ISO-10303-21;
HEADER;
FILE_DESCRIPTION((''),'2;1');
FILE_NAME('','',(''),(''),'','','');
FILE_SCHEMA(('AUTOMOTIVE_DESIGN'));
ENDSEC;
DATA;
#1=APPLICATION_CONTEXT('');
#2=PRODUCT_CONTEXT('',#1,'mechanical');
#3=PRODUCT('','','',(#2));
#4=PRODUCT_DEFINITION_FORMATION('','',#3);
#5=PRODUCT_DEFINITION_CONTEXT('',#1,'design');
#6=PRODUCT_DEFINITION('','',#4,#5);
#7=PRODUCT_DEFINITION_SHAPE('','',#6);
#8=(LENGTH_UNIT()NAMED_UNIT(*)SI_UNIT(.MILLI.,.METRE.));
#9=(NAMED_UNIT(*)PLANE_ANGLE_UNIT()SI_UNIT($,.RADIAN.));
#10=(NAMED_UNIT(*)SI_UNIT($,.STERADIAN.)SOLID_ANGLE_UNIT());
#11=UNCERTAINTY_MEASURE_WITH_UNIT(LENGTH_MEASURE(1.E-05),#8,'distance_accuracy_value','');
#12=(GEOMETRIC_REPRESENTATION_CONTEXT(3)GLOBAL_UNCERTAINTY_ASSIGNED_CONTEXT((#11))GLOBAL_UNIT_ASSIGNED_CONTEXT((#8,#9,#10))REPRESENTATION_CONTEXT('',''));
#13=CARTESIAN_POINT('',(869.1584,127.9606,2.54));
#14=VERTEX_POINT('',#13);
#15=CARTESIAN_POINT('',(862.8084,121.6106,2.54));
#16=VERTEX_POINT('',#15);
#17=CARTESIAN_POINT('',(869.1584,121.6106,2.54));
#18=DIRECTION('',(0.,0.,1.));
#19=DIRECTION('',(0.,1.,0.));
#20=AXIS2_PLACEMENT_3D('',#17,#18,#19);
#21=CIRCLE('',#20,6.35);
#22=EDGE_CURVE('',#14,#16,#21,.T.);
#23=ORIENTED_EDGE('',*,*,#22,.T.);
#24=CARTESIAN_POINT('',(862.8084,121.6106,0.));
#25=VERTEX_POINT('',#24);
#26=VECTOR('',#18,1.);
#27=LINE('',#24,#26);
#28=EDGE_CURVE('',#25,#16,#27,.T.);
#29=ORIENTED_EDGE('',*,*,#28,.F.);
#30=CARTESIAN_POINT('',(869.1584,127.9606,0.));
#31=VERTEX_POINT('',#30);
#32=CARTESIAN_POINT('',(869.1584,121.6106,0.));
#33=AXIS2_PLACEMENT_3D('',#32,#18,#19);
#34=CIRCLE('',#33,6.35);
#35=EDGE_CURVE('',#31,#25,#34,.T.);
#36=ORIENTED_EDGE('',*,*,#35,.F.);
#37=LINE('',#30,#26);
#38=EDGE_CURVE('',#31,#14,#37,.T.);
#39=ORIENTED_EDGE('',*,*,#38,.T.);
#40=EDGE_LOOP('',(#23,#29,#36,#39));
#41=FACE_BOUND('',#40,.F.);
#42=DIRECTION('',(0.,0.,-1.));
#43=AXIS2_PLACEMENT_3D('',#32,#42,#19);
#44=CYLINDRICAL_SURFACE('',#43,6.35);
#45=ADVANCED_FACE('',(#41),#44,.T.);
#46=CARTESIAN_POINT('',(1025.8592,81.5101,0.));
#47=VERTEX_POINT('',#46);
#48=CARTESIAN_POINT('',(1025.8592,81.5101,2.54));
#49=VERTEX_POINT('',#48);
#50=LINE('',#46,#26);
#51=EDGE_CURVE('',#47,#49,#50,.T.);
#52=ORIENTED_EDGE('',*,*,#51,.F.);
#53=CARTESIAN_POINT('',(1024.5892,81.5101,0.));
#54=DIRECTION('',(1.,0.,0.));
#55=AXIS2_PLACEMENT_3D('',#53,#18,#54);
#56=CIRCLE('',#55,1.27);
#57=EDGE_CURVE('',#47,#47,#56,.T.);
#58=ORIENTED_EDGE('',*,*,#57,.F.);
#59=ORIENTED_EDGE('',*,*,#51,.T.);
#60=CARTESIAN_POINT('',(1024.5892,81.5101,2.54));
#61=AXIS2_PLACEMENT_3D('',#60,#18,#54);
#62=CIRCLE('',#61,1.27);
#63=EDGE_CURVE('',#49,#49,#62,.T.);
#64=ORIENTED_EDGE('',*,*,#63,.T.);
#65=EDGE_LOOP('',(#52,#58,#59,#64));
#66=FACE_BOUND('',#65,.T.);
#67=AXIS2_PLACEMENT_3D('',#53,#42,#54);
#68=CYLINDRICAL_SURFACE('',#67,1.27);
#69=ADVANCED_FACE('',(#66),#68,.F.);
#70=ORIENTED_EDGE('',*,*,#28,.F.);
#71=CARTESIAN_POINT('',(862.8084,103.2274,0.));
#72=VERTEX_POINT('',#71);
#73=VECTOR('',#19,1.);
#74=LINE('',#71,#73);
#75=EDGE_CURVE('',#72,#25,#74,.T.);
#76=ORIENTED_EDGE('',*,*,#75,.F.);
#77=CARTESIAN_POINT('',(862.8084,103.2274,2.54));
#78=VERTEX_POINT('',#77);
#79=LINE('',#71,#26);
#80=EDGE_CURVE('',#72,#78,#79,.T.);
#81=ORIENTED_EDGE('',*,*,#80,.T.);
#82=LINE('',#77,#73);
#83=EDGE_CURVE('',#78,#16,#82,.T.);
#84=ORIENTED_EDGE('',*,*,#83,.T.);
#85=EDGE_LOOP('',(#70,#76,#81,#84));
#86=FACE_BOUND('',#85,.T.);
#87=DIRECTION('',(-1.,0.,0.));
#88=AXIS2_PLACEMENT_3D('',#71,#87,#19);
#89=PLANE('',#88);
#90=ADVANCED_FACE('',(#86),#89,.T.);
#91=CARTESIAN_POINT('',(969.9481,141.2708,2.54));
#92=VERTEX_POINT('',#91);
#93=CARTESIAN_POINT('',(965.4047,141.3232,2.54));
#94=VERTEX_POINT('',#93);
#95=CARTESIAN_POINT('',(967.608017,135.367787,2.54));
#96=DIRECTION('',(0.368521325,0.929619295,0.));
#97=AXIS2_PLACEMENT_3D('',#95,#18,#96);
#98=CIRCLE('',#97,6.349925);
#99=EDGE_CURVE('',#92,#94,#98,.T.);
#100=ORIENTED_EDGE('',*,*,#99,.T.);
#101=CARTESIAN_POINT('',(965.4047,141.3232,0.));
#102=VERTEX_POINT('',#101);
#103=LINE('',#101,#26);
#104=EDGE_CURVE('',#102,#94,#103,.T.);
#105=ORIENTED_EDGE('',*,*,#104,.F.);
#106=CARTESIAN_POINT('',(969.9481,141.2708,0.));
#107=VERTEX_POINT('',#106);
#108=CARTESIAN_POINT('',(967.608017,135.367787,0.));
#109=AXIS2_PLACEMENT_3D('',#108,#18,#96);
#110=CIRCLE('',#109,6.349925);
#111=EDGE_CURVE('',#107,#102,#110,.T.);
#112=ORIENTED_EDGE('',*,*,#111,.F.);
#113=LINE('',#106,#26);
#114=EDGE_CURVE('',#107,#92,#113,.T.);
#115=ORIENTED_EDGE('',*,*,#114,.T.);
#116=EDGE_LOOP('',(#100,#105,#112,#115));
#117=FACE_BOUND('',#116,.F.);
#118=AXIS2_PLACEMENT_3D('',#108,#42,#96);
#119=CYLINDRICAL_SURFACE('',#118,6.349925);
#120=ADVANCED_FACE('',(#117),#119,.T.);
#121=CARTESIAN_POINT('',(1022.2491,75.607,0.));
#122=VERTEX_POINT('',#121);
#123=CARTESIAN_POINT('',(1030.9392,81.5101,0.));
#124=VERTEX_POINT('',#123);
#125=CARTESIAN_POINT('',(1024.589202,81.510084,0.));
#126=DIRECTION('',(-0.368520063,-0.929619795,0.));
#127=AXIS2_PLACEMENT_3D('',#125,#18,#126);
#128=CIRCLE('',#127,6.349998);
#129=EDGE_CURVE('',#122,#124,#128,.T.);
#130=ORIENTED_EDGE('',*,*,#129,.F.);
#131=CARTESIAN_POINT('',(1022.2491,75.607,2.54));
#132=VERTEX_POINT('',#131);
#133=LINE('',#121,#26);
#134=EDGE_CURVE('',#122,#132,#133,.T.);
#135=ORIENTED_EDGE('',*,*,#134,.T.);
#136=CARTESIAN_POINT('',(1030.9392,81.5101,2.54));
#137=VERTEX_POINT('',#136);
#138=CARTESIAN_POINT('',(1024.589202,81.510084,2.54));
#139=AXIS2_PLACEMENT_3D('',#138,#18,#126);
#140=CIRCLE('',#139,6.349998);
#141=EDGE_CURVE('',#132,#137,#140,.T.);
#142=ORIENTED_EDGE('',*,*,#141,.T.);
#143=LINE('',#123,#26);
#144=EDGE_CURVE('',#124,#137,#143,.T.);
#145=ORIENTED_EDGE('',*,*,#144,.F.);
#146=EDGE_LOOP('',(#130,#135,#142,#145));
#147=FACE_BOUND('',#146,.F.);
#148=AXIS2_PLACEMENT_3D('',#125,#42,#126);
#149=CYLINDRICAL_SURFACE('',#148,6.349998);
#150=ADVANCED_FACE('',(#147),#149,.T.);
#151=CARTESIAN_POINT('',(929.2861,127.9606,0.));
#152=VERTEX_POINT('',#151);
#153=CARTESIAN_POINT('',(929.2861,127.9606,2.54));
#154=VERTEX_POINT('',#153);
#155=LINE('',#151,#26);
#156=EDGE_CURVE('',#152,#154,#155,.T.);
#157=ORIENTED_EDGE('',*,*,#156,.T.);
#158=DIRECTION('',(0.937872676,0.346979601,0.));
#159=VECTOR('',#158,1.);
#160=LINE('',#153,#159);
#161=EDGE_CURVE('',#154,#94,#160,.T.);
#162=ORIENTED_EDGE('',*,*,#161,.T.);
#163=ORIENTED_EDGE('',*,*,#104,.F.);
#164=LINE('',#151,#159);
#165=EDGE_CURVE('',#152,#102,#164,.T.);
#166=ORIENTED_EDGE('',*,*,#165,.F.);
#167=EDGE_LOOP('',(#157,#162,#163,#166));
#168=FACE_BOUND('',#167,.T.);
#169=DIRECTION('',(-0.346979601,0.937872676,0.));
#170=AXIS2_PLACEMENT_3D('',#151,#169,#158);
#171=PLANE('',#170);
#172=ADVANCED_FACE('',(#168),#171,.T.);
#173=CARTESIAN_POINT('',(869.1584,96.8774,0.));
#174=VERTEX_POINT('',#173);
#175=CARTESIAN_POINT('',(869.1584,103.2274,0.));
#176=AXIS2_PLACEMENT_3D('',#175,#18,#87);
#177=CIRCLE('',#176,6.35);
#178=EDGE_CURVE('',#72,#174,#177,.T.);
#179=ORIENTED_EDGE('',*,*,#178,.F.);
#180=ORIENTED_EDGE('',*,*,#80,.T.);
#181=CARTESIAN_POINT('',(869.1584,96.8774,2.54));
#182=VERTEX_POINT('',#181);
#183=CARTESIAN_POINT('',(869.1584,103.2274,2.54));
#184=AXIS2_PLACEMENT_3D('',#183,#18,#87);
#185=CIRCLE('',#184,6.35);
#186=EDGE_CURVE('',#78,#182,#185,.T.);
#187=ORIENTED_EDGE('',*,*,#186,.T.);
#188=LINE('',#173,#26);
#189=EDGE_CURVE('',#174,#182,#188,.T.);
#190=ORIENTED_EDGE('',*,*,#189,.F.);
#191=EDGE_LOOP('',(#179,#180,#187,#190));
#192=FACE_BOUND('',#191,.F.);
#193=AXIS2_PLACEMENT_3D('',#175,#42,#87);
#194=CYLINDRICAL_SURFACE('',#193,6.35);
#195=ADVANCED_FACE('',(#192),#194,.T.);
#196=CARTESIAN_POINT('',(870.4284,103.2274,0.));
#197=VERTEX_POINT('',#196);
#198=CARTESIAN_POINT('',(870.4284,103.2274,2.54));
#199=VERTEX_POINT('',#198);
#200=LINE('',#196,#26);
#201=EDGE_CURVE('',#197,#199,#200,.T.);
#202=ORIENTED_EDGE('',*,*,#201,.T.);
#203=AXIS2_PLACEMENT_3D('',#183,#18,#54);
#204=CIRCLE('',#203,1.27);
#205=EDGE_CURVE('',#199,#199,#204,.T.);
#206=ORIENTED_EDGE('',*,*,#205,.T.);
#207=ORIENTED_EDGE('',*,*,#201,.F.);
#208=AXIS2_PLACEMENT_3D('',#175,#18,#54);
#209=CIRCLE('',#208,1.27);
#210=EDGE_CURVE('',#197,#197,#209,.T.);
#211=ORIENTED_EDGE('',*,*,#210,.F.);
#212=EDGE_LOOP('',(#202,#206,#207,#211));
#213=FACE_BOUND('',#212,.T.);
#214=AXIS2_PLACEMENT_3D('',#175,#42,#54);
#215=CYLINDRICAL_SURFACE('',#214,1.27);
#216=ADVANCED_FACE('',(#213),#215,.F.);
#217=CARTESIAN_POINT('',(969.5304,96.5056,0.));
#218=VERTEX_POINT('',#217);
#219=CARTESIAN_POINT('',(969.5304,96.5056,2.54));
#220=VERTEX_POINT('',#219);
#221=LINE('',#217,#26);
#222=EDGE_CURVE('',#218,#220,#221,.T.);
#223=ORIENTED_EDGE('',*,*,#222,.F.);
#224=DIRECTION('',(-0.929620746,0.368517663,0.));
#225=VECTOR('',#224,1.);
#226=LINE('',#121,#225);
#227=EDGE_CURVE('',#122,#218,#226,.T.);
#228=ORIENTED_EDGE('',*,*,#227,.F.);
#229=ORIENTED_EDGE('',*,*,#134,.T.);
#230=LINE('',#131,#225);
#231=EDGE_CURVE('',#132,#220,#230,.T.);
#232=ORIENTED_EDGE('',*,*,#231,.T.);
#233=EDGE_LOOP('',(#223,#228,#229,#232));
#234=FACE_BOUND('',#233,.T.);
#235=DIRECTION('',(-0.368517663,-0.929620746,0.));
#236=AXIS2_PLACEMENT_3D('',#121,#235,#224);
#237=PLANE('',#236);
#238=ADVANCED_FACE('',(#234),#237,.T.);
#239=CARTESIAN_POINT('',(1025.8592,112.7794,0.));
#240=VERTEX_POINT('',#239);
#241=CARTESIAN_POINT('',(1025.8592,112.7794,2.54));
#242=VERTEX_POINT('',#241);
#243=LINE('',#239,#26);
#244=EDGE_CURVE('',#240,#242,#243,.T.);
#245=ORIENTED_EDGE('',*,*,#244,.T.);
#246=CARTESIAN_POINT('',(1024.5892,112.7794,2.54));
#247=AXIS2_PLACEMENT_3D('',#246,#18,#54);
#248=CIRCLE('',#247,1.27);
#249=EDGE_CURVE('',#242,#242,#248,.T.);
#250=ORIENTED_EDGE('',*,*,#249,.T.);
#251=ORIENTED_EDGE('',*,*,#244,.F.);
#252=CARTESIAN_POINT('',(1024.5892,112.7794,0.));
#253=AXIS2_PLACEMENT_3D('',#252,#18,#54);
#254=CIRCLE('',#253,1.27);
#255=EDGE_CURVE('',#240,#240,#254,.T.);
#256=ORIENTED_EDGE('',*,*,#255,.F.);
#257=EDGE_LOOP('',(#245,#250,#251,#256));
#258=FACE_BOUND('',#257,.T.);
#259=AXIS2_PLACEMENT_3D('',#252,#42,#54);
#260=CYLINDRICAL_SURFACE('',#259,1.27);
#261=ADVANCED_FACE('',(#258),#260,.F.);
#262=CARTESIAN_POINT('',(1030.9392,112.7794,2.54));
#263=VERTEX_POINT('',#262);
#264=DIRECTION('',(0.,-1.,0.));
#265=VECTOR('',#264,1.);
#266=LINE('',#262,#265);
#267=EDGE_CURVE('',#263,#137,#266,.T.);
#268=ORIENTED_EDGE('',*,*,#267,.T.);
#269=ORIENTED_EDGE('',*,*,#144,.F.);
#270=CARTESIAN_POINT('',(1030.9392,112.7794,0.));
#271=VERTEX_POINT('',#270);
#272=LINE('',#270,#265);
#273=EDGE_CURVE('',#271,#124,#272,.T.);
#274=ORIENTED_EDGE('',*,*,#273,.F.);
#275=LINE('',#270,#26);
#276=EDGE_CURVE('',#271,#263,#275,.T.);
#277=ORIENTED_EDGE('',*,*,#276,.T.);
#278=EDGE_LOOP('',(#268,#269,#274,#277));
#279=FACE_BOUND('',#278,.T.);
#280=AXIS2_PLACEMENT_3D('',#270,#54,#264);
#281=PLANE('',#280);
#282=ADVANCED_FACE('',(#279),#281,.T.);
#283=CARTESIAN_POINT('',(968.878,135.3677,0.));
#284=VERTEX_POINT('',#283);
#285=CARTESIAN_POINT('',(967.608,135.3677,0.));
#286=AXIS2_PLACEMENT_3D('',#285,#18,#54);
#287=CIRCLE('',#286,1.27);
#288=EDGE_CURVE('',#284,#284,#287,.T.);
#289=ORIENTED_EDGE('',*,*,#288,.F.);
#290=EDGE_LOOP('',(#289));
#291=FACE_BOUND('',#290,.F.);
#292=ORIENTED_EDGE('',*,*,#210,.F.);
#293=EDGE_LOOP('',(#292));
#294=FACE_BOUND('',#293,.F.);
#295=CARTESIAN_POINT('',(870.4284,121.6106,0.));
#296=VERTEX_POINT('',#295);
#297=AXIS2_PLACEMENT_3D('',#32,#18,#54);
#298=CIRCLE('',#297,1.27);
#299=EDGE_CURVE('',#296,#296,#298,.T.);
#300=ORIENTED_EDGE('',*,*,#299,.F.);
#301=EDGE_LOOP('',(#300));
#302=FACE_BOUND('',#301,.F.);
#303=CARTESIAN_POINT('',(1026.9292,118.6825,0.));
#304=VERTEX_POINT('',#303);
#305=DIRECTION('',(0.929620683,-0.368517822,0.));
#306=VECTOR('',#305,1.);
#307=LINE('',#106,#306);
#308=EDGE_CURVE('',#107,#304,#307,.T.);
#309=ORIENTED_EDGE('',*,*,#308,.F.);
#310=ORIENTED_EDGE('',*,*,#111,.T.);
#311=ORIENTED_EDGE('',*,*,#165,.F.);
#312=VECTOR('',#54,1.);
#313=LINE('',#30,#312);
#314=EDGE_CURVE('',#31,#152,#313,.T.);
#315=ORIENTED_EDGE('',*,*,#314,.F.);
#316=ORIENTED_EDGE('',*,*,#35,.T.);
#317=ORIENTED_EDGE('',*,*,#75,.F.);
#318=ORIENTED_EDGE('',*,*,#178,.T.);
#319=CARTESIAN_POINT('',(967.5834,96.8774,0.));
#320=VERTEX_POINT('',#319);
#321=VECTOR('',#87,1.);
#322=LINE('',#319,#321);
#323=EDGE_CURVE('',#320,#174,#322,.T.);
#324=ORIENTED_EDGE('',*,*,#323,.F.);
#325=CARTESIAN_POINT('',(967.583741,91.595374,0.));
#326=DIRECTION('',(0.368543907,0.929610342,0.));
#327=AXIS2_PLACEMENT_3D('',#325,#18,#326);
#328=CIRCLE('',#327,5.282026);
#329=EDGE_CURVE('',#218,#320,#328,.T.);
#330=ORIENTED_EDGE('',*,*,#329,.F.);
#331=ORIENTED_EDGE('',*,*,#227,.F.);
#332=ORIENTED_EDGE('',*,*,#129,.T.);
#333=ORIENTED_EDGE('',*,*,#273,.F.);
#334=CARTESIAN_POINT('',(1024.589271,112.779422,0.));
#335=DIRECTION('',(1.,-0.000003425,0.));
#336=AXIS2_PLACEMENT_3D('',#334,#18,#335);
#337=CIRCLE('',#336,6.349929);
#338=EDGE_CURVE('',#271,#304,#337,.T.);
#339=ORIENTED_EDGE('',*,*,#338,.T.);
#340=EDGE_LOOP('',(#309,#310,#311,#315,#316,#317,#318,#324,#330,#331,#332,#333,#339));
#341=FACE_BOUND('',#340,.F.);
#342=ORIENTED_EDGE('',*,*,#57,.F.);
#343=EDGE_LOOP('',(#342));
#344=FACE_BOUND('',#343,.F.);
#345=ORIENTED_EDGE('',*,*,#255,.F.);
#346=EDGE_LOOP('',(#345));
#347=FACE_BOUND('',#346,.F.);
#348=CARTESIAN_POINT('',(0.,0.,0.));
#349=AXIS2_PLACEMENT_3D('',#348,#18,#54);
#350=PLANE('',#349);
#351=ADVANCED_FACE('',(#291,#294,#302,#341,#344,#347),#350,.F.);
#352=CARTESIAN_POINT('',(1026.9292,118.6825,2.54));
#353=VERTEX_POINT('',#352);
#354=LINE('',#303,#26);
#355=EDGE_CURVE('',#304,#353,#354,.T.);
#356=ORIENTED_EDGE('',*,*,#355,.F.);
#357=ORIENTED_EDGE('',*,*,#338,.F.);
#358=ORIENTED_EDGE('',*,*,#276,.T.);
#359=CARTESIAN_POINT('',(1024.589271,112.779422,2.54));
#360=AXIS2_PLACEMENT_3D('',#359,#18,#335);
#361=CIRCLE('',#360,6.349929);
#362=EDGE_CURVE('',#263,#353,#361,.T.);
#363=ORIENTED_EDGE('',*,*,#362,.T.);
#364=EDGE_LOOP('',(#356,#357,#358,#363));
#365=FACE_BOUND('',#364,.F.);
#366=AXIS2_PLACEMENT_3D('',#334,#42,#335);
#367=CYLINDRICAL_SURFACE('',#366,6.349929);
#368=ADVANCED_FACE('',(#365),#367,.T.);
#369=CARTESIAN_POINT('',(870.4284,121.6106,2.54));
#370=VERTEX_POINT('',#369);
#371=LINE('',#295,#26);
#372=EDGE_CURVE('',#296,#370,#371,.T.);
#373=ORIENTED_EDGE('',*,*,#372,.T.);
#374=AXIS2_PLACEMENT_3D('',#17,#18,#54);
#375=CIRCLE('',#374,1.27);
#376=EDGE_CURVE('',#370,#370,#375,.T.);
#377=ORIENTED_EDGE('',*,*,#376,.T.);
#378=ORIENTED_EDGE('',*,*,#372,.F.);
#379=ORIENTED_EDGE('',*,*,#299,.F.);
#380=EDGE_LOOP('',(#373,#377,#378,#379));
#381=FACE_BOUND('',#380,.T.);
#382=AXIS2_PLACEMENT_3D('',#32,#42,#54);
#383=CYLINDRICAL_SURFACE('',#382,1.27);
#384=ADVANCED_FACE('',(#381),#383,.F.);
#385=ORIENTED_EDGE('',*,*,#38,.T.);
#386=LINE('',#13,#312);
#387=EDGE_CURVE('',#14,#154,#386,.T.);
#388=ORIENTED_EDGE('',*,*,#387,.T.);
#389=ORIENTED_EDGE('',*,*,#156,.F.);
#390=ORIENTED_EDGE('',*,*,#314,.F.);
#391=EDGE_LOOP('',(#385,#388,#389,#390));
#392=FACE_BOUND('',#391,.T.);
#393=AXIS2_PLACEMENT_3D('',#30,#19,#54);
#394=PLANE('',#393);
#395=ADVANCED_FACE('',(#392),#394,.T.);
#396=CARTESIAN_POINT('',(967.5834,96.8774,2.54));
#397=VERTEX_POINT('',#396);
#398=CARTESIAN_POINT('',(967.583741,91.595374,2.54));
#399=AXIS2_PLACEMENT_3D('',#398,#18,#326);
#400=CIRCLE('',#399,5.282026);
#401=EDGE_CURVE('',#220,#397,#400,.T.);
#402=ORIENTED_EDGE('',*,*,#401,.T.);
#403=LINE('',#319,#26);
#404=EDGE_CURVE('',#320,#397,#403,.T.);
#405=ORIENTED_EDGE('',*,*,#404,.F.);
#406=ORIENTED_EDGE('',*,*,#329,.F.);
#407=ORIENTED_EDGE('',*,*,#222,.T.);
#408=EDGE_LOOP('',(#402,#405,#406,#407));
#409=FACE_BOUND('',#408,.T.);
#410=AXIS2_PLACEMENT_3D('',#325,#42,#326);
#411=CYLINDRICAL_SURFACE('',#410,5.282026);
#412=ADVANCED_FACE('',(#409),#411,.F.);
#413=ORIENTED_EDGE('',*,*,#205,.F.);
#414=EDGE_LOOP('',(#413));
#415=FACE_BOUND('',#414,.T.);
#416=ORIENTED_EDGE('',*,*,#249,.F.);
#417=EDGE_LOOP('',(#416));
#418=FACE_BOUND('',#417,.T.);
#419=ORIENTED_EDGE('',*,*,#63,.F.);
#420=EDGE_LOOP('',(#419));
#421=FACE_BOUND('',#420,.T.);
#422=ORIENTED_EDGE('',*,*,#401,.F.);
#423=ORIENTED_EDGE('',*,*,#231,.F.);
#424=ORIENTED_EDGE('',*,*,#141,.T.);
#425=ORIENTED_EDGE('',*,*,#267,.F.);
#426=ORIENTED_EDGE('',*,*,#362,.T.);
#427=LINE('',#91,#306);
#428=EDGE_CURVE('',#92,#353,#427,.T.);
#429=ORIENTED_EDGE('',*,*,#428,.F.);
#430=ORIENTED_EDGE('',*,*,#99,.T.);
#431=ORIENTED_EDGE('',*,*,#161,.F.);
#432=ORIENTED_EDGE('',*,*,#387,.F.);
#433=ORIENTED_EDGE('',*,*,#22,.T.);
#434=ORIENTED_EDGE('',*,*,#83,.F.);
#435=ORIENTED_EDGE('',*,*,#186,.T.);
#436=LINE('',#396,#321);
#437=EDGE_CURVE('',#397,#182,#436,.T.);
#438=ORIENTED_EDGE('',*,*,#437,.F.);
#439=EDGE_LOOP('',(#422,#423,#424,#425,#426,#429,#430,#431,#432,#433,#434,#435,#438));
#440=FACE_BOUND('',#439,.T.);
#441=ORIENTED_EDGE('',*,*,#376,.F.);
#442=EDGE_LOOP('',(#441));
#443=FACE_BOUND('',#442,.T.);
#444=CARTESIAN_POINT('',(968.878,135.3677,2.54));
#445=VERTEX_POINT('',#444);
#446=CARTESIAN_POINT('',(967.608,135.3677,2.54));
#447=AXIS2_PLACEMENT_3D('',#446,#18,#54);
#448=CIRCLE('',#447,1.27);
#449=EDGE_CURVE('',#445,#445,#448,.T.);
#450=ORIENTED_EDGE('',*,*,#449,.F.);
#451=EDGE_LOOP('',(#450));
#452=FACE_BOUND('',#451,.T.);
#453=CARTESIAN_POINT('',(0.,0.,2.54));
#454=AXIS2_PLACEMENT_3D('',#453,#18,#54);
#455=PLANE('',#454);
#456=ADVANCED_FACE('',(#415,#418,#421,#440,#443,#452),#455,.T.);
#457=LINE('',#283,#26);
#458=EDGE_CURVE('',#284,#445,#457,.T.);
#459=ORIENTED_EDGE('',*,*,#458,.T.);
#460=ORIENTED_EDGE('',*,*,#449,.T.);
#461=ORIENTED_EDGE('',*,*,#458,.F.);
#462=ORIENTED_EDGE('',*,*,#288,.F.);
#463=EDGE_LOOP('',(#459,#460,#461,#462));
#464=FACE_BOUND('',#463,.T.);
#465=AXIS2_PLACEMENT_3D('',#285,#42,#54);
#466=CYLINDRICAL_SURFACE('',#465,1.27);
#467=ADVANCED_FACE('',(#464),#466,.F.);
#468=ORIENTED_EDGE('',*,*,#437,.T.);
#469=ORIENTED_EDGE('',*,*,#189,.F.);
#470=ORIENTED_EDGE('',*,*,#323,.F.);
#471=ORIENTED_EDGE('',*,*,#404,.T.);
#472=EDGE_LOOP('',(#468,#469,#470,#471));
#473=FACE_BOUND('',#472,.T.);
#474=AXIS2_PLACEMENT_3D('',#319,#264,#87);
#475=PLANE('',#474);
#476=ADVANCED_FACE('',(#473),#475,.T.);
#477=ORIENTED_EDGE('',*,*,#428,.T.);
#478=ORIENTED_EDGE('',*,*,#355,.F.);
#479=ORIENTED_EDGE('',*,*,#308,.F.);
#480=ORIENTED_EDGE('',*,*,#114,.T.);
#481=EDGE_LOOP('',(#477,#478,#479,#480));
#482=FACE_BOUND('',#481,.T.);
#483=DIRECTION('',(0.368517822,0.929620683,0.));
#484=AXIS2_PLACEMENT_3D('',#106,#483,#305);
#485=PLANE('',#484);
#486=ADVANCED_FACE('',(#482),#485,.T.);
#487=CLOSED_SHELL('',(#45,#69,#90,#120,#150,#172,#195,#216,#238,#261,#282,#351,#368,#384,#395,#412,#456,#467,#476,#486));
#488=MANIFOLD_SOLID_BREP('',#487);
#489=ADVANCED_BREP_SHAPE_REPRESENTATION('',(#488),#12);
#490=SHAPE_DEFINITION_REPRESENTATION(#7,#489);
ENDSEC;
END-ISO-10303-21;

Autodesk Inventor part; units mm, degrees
ref_plane "YZ Plane" through (0, 0, 0) normal (1, 0, 0) x (0, 1, 0)
ref_plane "XZ Plane" through (0, 0, 0) normal (0, 1, 0) x (-1, 0, 0)
ref_plane "XY Plane" through (0, 0, 0) normal (0, 0, 1) x (1, 0, 0)
sketch "Profile" plane through (0, 0, 0) normal (0, 0, 1) x (1, 0, 0)
  circle A0 centre (1024.5892, 81.5101) radius 1.27
  circle A1 centre (869.1584, 103.2274) radius 1.27
  circle A2 centre (869.1584, 121.6106) radius 1.27
  circle A3 centre (967.608, 135.3677) radius 1.27
  circle A4 centre (1024.5892, 112.7794) radius 1.27
  line L0 (963.5286, 137.2438) -> (964.6303, 134.266)
  arc A5 (964.6303, 134.266) -> (970.5595, 134.1976) centre (967.608, 135.3677) ccw
  line L1 (970.5595, 134.1976) -> (971.7296, 137.1492)
  line L2 (1022.8077, 116.901) -> (971.7296, 137.1492)
  line L3 (1022.8077, 116.901) -> (1021.6376, 113.9494)
  arc A6 (1021.6376, 113.9494) -> (1024.5892, 109.6044) centre (1024.5892, 112.7794) ccw
  line L4 (1024.5892, 109.6044) -> (1027.7642, 109.6044)
  line L5 (1027.7642, 84.6851) -> (1027.7642, 109.6044)
  line L6 (1027.7642, 84.6851) -> (1024.5892, 84.6851)
  arc A7 (1024.5892, 84.6851) -> (1021.6376, 82.6802) centre (1024.5892, 81.5101) ccw
  line L7 (1021.6376, 82.6802) -> (1020.4676, 79.7286)
  line L8 (970.7004, 99.4571) -> (1020.4676, 79.7286)
  arc A8 (970.7004, 99.4571) -> (967.5834, 100.0524) centre (967.5834, 91.5942) ccw
  line L9 (872.3334, 100.0524) -> (967.5834, 100.0524)
  line L10 (872.3334, 100.0524) -> (872.3334, 103.2274)
  arc A9 (872.3334, 103.2274) -> (869.1584, 106.4024) centre (869.1584, 103.2274) ccw
  line L11 (869.1584, 106.4024) -> (865.9834, 106.4024)
  line L12 (865.9834, 118.4356) -> (865.9834, 106.4024)
  line L13 (865.9834, 118.4356) -> (869.1584, 118.4356)
  arc A10 (869.1584, 118.4356) -> (872.3334, 121.6106) centre (869.1584, 121.6106) ccw
  line L14 (872.3334, 121.6106) -> (872.3334, 124.7856)
  line L15 (929.2861, 124.7856) -> (872.3334, 124.7856)
  arc A11 (929.2861, 124.7856) -> (930.3878, 124.9829) centre (929.2861, 127.9606) ccw
  line L16 (963.5286, 137.2438) -> (930.3878, 124.9829)
  line L17 (869.1584, 127.9606) -> (929.2861, 127.9606)
  arc A12 (869.1584, 127.9606) -> (862.8084, 121.6106) centre (869.1584, 121.6106) ccw
  line L18 (862.8084, 103.2274) -> (862.8084, 121.6106)
  arc A13 (862.8084, 103.2274) -> (869.1584, 96.8774) centre (869.1584, 103.2274) ccw
  line L19 (967.5834, 96.8774) -> (869.1584, 96.8774)
  arc A14 (969.5304, 96.5056) -> (967.5834, 96.8774) centre (967.5834, 91.5942) ccw
  line L20 (1022.2491, 75.607) -> (969.5304, 96.5056)
  arc A15 (1022.2491, 75.607) -> (1030.9392, 81.5101) centre (1024.5892, 81.5101) ccw
  line L21 (1030.9392, 112.7794) -> (1030.9392, 81.5101)
  arc A16 (1030.9392, 112.7794) -> (1026.9292, 118.6825) centre (1024.5892, 112.7794) ccw
  line L22 (969.9481, 141.2708) -> (1026.9292, 118.6825)
  arc A17 (969.9481, 141.2708) -> (965.4047, 141.3232) centre (967.608, 135.3677) ccw
  line L23 (929.2861, 127.9606) -> (965.4047, 141.3232)
  point P0 (0, 0)
extrude "ProfileFeature" add sketch "Profile" along normal blind 2.54 contours L0 A5 L1 L2 L3 A6 L4 L5 L6 A7 L7 L8 A8 L9 L10 A9 L11 L12 L13 A10 L14 L15 A11 L16 | L17 L23 A17 L22 A16 L21 A15 L20 A14 L19 A13 L18 A12
properties part number "switchback-secondary-cover"
